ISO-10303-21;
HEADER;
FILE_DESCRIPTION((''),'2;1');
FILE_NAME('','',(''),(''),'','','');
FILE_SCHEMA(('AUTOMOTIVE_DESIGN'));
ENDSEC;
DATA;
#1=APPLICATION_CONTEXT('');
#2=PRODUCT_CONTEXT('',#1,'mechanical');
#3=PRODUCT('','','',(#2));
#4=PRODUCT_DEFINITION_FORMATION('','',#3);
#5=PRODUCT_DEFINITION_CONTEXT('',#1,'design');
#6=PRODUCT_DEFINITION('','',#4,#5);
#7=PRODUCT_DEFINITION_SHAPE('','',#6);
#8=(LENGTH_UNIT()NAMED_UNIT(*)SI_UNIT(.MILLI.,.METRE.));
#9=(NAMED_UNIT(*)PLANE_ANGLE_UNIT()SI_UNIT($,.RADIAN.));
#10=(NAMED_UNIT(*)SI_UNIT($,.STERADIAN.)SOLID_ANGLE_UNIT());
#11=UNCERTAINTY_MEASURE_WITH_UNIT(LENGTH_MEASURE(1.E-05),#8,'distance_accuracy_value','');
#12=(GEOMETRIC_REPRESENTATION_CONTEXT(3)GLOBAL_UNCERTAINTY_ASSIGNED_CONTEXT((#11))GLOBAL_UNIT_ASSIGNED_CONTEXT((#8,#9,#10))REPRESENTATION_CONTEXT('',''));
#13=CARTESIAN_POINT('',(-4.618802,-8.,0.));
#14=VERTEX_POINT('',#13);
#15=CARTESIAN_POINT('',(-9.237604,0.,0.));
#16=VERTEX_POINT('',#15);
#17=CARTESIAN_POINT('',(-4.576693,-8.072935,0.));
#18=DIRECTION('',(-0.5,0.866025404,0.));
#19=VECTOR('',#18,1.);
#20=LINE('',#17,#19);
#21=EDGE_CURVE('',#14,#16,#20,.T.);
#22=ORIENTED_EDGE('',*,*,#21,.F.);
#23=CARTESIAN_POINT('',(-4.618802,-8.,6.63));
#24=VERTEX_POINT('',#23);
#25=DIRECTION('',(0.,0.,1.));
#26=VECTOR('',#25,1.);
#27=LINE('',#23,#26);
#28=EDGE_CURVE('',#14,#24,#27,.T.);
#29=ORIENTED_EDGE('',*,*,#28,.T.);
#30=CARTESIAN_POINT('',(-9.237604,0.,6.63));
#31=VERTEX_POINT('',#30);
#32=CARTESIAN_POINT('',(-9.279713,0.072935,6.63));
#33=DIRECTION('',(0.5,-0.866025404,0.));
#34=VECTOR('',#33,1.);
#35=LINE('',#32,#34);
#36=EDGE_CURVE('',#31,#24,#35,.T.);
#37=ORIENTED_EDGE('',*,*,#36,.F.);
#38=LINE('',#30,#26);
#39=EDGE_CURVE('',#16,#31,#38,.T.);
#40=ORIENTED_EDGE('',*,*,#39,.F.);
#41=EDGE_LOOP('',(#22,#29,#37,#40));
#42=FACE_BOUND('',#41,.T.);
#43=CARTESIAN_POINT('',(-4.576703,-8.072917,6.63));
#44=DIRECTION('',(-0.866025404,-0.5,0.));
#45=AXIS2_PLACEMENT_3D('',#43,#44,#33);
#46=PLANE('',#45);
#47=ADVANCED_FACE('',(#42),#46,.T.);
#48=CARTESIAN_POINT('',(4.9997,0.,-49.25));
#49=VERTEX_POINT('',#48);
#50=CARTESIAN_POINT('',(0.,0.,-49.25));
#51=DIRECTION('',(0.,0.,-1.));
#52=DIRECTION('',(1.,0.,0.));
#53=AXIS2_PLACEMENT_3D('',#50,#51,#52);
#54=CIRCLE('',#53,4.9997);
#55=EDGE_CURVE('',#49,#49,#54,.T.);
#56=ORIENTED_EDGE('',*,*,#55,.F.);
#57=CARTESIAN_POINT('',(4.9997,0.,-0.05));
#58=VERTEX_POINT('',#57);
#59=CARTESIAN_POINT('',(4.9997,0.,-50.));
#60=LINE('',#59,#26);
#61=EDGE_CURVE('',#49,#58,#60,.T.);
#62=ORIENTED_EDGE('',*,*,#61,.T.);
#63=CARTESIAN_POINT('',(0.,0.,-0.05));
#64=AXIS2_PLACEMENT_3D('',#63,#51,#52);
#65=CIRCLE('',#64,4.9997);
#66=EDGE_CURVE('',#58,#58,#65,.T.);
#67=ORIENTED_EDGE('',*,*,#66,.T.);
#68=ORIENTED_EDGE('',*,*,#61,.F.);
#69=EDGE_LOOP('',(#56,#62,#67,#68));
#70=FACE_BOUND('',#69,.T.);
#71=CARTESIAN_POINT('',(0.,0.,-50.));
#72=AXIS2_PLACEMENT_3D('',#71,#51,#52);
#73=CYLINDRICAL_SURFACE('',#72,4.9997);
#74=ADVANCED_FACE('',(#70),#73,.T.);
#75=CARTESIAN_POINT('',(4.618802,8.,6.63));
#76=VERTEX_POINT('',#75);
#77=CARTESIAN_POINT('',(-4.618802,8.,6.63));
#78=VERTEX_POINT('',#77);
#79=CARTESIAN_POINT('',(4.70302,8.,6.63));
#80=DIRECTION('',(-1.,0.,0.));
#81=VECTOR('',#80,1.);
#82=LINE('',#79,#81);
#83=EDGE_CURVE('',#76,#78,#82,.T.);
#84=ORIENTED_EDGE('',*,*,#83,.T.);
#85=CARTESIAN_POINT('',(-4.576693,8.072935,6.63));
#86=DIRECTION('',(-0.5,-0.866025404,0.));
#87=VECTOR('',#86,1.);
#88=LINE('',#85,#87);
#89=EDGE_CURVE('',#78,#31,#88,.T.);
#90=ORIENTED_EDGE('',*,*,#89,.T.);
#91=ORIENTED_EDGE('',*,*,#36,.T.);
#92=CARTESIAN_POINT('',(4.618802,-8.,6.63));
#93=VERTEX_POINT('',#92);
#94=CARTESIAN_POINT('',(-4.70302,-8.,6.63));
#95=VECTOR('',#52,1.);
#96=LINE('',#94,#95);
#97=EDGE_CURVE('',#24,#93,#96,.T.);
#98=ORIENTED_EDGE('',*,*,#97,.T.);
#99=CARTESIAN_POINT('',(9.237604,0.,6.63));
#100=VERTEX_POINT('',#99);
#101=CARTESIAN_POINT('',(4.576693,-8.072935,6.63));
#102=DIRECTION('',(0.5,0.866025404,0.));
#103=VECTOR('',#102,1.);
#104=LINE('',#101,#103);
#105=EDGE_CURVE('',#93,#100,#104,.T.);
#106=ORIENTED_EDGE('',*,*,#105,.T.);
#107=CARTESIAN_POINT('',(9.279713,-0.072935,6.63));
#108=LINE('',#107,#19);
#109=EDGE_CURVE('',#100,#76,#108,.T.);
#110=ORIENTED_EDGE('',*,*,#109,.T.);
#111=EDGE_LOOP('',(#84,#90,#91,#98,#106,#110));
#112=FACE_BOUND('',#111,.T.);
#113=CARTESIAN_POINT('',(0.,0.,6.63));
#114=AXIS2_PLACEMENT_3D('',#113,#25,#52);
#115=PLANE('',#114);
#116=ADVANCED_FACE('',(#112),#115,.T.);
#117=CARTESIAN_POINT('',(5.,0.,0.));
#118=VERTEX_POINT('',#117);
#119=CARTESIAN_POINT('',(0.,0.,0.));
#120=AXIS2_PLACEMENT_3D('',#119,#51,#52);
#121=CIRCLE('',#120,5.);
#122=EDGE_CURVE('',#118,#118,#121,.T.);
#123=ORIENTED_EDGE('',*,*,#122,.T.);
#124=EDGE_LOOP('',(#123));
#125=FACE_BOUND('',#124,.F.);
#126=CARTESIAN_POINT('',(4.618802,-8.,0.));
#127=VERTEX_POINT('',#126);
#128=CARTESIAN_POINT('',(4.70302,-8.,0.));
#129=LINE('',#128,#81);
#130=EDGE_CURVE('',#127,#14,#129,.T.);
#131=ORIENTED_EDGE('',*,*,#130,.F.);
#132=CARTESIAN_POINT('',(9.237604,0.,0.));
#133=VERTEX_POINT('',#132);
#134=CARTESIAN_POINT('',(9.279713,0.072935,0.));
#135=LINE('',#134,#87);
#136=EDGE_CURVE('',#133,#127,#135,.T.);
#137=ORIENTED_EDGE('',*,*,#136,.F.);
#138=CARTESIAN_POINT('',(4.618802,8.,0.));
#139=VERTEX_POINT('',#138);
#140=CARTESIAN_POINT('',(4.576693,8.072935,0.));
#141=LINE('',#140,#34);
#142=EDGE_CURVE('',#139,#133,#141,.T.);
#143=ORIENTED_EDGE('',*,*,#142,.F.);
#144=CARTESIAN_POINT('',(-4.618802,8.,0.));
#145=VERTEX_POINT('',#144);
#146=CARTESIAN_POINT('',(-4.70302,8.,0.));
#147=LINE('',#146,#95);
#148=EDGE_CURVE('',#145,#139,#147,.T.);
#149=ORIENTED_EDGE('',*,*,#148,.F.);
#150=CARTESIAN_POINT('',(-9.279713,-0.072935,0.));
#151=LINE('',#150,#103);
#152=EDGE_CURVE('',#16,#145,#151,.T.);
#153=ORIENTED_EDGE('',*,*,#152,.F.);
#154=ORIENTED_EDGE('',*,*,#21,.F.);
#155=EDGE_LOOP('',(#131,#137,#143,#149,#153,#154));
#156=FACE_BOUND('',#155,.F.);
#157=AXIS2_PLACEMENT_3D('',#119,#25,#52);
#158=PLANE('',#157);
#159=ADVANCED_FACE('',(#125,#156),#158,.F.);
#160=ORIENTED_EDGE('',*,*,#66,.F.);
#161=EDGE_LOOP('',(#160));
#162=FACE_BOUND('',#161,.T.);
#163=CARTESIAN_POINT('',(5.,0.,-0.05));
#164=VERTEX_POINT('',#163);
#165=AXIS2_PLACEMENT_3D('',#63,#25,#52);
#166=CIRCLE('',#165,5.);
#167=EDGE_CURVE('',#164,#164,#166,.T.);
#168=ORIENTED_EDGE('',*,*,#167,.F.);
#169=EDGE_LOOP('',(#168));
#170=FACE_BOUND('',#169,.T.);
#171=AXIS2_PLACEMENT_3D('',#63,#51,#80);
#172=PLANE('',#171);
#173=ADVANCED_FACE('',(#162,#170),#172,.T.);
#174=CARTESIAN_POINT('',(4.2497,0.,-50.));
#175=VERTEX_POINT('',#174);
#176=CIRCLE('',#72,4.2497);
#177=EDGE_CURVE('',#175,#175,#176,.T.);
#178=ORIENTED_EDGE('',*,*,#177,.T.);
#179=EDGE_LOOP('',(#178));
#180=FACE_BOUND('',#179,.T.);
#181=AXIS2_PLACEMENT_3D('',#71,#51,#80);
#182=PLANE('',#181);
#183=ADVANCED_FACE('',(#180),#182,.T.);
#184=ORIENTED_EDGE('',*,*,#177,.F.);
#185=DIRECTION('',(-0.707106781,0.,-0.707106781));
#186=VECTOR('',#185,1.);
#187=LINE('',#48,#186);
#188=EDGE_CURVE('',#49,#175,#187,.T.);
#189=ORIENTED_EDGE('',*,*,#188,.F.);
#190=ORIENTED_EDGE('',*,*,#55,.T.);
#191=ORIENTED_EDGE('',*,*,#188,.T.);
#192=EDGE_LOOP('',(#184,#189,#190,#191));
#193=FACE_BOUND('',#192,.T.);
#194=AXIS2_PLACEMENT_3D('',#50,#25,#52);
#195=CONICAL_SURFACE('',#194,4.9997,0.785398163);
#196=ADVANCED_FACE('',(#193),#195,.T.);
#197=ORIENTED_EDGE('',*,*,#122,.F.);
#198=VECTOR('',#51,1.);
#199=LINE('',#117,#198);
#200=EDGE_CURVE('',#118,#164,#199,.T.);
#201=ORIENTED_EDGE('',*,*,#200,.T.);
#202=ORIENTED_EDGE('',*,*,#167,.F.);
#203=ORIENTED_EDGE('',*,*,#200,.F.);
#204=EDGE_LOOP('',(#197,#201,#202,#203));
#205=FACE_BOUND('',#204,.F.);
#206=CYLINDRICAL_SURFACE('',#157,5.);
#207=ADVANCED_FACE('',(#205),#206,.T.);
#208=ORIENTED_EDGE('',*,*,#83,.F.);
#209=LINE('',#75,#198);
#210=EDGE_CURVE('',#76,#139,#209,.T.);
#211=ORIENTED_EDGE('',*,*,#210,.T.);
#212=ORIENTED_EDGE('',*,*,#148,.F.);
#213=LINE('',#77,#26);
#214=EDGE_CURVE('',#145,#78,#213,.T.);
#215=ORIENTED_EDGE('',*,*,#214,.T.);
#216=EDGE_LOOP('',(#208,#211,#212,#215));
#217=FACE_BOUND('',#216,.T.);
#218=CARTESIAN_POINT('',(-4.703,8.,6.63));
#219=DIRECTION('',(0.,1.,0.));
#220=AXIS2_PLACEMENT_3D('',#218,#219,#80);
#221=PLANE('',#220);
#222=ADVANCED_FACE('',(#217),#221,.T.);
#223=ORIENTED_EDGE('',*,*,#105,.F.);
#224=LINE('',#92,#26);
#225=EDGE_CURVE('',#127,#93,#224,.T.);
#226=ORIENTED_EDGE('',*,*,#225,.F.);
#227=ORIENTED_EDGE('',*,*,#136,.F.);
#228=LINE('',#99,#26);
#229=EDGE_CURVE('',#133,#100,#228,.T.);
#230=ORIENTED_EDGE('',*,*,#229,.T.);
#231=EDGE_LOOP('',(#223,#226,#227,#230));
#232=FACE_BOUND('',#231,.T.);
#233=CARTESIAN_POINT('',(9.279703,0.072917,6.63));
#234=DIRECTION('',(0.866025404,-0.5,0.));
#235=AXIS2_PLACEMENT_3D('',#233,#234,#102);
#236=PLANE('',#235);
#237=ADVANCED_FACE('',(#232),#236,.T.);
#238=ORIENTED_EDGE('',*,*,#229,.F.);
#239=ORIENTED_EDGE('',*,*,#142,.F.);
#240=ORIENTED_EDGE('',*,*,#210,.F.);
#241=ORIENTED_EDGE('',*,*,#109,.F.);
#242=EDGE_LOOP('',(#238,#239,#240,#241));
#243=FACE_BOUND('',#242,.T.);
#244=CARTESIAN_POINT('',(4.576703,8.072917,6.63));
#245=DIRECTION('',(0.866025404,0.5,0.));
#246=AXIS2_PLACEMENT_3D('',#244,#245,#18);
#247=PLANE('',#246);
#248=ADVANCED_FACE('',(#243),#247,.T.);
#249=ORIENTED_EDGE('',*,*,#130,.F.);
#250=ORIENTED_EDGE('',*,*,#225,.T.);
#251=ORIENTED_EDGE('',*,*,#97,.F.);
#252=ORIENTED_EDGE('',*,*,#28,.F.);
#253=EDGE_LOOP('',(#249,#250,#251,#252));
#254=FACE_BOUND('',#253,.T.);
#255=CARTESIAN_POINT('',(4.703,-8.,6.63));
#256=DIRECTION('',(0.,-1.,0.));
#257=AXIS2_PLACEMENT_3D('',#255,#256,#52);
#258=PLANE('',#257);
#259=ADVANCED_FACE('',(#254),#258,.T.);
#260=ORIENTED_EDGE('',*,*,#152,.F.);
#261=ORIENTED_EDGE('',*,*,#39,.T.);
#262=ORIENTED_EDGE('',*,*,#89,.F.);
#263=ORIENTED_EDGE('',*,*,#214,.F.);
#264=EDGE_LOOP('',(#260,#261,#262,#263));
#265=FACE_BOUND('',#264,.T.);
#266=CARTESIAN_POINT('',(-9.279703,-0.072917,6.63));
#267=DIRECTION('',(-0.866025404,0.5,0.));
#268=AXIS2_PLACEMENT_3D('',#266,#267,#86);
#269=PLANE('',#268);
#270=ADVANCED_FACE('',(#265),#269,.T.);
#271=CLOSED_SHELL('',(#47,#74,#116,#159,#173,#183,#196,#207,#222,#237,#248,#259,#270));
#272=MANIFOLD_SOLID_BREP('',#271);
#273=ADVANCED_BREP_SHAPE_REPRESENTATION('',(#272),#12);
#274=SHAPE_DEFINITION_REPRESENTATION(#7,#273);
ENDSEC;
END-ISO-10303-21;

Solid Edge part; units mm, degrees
sketch "Sketch1" plane through (0, 0, 0) normal (0, 0, 1) x (1, 0, 0)
  circle A0 centre (0, 0) radius 9.28
  dimension "D1" = 18.56
extrude "Protrusion1" add sketch "Sketch1" along normal blind 6.63
sketch "Sketch2" plane through (0, 0, 0) normal (0, 0, -1) x (1, 0, 0)
  circle A0 centre (0, 0) radius 5
extrude "Protrusion2" add sketch "Sketch2" along normal blind 50
sketch "Sketch3" plane through (0, 0, -50) normal (0, 0, -1) x (1, 0, 0)
  circle A0 centre (0, 0) radius 4.9997
extrude "Cutout1" cut sketch "Sketch3" against normal blind 49.95 flip side to cut
chamfer "Chamfer_1" distance 0.75 angle 45 1 edges at (-4.9997, 0, -50)
sketch "Sketch4" plane through (0, 0, 6.63) normal (0, 0, 1) x (1, 0, 0)
  line L0 (-4.703, 8) -> (4.703, 8)
  dimension "D1" = 16
extrude "Cutout2" cut sketch "Sketch4" against normal up to next material side at (0, 8.05, 6.63)
pattern_circular "Pattern1" count 6 over 360 about axis through (0, 0, 6.63) along (0, 0, 1) of "Cutout2"
properties part number "182630"
